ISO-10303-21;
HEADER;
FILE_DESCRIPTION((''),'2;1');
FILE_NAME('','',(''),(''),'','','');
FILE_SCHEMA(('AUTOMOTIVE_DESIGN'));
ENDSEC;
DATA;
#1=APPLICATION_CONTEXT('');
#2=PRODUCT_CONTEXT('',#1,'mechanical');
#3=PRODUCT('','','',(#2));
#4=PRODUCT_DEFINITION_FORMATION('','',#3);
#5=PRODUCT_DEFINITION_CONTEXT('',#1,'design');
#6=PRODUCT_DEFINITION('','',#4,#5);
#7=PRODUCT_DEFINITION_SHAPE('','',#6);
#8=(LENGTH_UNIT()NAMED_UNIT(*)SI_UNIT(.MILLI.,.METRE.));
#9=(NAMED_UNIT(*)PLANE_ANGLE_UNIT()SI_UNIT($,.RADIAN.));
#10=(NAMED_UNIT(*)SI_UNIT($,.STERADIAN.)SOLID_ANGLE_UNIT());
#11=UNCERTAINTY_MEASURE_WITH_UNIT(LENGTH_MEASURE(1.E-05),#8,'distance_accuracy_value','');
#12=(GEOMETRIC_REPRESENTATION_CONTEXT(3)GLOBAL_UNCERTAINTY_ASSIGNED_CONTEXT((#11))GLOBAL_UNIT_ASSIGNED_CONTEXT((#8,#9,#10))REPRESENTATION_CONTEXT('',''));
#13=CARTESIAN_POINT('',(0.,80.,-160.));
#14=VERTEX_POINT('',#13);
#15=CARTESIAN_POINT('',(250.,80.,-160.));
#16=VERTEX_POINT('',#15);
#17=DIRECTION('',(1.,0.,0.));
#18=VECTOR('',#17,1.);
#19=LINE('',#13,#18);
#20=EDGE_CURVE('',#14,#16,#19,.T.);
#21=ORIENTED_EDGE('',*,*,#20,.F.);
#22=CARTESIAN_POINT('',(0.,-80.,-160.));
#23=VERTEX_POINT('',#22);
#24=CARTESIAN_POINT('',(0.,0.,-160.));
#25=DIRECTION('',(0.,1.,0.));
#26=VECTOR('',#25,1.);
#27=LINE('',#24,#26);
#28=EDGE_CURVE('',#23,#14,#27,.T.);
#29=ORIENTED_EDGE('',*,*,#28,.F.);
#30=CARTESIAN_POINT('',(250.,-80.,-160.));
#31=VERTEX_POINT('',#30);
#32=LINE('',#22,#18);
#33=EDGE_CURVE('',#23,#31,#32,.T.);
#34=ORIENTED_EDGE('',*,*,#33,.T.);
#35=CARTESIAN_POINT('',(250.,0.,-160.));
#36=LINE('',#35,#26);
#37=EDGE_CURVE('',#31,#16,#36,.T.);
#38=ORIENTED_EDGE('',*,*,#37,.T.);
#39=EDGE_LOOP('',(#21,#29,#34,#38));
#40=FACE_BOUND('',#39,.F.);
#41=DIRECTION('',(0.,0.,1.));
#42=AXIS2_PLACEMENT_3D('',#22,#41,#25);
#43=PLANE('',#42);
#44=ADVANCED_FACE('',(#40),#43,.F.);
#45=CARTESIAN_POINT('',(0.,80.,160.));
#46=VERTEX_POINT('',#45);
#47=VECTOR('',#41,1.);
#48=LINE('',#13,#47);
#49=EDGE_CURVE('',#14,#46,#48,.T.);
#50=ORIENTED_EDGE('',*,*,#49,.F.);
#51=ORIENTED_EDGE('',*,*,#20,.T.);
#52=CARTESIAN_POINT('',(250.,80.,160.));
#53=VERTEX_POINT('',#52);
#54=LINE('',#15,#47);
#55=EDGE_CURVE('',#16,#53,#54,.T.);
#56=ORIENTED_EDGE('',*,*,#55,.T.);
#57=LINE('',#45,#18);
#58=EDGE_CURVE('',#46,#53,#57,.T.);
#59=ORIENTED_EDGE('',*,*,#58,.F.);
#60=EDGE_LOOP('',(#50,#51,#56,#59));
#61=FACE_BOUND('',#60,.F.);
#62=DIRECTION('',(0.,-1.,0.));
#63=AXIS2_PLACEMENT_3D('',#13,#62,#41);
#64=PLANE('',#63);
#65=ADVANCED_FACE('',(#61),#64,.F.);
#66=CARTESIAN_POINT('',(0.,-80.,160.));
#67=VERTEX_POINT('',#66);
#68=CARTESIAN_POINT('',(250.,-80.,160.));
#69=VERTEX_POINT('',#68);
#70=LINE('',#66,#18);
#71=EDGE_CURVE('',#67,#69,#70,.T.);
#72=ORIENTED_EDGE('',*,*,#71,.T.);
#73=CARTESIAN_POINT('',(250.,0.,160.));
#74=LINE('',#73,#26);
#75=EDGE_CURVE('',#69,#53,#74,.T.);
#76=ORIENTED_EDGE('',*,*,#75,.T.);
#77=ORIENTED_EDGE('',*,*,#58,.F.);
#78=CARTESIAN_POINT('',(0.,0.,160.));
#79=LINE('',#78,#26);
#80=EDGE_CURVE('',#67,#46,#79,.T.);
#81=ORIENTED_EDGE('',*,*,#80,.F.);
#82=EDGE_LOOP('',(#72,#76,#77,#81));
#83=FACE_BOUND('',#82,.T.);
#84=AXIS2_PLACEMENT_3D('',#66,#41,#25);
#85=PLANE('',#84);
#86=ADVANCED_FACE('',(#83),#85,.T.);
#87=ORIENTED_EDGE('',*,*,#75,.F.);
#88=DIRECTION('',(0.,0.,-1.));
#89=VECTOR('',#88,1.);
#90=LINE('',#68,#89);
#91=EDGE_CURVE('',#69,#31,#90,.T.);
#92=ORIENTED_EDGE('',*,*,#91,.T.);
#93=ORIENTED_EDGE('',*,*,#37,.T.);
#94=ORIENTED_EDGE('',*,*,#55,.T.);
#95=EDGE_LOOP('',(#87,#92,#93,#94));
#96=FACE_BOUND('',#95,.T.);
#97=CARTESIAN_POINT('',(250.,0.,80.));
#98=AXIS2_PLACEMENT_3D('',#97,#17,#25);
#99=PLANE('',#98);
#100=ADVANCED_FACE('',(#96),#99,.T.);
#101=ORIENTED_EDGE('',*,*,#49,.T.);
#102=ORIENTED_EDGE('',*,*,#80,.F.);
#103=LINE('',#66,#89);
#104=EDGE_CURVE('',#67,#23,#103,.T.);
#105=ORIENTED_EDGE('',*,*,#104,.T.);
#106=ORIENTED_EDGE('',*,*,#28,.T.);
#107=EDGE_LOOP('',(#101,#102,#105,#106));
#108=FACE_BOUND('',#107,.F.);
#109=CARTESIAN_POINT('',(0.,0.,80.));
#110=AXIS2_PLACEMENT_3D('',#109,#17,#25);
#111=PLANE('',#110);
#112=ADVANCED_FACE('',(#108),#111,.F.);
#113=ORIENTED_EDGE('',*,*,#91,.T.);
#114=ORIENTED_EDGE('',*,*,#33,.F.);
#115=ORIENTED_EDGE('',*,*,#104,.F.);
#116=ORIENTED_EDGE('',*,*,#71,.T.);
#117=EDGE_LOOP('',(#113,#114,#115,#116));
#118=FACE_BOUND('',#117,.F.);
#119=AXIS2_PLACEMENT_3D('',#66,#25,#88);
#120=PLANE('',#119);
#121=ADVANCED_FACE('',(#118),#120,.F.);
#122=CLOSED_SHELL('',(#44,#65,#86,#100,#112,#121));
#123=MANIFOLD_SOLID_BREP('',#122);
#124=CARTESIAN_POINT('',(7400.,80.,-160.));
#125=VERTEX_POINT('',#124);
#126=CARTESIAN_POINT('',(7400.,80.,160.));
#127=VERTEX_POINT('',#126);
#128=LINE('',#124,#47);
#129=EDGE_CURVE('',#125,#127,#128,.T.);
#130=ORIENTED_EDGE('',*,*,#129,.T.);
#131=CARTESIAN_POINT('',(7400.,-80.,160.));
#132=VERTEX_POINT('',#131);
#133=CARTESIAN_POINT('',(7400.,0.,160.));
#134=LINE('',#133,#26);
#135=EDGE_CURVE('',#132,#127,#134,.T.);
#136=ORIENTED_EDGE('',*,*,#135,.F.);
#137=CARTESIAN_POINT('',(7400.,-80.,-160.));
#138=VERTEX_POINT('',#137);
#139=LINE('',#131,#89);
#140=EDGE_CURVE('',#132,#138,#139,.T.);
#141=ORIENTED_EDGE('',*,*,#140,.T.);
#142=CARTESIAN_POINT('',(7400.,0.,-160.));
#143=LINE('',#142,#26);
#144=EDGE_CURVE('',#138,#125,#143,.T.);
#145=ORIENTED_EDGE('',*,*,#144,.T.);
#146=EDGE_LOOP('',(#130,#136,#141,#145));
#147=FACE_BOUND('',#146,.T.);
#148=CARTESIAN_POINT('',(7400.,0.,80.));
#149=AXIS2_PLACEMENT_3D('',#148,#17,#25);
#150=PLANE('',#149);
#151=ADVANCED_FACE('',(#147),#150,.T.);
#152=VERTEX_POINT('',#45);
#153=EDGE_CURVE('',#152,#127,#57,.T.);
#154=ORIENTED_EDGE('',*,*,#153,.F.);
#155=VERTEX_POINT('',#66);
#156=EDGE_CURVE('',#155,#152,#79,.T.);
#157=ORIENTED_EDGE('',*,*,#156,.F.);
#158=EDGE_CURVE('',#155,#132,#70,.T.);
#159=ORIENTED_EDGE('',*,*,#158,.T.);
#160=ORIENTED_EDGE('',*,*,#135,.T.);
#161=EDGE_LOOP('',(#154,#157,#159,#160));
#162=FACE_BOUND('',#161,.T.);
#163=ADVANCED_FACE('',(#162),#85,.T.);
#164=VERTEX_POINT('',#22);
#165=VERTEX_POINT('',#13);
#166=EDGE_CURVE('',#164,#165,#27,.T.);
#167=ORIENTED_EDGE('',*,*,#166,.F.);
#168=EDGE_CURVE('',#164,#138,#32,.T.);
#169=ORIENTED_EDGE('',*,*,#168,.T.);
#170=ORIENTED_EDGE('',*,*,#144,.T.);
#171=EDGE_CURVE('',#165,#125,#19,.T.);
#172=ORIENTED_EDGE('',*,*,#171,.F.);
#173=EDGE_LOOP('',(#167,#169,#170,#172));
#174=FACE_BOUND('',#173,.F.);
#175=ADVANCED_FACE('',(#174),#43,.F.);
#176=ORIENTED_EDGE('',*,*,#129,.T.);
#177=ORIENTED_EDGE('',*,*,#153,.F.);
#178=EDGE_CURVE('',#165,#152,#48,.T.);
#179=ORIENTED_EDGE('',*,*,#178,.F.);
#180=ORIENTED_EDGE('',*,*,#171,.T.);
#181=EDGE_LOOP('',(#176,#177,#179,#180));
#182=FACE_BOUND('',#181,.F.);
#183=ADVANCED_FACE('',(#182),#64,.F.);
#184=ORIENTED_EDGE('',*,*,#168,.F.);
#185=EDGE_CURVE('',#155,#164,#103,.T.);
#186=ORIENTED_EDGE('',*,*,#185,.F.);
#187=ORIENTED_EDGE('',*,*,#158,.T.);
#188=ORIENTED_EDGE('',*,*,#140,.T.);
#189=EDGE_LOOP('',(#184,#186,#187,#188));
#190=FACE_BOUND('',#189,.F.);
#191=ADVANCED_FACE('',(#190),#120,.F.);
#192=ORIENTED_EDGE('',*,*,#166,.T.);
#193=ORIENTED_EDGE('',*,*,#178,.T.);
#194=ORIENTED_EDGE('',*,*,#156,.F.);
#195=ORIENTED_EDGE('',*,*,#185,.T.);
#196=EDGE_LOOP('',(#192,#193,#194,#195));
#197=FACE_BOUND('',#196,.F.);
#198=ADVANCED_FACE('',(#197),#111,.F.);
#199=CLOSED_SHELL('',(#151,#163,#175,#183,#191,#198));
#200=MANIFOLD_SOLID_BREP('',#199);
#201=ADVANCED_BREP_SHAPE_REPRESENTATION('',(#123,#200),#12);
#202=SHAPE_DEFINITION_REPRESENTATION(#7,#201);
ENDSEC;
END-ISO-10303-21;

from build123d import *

# Parameters (mm, degrees)
F0_W     = 160
F0_H     = 160
F1_DEPTH = 7400
F2_DEPTH = 250


with BuildPart() as f1:
    # F0 (on Right) → F1 (new body)
    with BuildSketch(Plane.YZ):
        with Locations((0, 80)):
            Rectangle(F0_W, F0_H)
        with Locations((0, -80)):
            Rectangle(F0_W, F0_H)
    extrude(amount=F1_DEPTH)


with BuildPart() as f2:
    # F0 (on Right) → F2 (new body)
    with BuildSketch(Plane.YZ):
        with Locations((0, 80)):
            Rectangle(F0_W, F0_H)
        with Locations((0, -80)):
            Rectangle(F0_W, F0_H)
    extrude(amount=F2_DEPTH)


solid = Compound([f1.part, f2.part])
